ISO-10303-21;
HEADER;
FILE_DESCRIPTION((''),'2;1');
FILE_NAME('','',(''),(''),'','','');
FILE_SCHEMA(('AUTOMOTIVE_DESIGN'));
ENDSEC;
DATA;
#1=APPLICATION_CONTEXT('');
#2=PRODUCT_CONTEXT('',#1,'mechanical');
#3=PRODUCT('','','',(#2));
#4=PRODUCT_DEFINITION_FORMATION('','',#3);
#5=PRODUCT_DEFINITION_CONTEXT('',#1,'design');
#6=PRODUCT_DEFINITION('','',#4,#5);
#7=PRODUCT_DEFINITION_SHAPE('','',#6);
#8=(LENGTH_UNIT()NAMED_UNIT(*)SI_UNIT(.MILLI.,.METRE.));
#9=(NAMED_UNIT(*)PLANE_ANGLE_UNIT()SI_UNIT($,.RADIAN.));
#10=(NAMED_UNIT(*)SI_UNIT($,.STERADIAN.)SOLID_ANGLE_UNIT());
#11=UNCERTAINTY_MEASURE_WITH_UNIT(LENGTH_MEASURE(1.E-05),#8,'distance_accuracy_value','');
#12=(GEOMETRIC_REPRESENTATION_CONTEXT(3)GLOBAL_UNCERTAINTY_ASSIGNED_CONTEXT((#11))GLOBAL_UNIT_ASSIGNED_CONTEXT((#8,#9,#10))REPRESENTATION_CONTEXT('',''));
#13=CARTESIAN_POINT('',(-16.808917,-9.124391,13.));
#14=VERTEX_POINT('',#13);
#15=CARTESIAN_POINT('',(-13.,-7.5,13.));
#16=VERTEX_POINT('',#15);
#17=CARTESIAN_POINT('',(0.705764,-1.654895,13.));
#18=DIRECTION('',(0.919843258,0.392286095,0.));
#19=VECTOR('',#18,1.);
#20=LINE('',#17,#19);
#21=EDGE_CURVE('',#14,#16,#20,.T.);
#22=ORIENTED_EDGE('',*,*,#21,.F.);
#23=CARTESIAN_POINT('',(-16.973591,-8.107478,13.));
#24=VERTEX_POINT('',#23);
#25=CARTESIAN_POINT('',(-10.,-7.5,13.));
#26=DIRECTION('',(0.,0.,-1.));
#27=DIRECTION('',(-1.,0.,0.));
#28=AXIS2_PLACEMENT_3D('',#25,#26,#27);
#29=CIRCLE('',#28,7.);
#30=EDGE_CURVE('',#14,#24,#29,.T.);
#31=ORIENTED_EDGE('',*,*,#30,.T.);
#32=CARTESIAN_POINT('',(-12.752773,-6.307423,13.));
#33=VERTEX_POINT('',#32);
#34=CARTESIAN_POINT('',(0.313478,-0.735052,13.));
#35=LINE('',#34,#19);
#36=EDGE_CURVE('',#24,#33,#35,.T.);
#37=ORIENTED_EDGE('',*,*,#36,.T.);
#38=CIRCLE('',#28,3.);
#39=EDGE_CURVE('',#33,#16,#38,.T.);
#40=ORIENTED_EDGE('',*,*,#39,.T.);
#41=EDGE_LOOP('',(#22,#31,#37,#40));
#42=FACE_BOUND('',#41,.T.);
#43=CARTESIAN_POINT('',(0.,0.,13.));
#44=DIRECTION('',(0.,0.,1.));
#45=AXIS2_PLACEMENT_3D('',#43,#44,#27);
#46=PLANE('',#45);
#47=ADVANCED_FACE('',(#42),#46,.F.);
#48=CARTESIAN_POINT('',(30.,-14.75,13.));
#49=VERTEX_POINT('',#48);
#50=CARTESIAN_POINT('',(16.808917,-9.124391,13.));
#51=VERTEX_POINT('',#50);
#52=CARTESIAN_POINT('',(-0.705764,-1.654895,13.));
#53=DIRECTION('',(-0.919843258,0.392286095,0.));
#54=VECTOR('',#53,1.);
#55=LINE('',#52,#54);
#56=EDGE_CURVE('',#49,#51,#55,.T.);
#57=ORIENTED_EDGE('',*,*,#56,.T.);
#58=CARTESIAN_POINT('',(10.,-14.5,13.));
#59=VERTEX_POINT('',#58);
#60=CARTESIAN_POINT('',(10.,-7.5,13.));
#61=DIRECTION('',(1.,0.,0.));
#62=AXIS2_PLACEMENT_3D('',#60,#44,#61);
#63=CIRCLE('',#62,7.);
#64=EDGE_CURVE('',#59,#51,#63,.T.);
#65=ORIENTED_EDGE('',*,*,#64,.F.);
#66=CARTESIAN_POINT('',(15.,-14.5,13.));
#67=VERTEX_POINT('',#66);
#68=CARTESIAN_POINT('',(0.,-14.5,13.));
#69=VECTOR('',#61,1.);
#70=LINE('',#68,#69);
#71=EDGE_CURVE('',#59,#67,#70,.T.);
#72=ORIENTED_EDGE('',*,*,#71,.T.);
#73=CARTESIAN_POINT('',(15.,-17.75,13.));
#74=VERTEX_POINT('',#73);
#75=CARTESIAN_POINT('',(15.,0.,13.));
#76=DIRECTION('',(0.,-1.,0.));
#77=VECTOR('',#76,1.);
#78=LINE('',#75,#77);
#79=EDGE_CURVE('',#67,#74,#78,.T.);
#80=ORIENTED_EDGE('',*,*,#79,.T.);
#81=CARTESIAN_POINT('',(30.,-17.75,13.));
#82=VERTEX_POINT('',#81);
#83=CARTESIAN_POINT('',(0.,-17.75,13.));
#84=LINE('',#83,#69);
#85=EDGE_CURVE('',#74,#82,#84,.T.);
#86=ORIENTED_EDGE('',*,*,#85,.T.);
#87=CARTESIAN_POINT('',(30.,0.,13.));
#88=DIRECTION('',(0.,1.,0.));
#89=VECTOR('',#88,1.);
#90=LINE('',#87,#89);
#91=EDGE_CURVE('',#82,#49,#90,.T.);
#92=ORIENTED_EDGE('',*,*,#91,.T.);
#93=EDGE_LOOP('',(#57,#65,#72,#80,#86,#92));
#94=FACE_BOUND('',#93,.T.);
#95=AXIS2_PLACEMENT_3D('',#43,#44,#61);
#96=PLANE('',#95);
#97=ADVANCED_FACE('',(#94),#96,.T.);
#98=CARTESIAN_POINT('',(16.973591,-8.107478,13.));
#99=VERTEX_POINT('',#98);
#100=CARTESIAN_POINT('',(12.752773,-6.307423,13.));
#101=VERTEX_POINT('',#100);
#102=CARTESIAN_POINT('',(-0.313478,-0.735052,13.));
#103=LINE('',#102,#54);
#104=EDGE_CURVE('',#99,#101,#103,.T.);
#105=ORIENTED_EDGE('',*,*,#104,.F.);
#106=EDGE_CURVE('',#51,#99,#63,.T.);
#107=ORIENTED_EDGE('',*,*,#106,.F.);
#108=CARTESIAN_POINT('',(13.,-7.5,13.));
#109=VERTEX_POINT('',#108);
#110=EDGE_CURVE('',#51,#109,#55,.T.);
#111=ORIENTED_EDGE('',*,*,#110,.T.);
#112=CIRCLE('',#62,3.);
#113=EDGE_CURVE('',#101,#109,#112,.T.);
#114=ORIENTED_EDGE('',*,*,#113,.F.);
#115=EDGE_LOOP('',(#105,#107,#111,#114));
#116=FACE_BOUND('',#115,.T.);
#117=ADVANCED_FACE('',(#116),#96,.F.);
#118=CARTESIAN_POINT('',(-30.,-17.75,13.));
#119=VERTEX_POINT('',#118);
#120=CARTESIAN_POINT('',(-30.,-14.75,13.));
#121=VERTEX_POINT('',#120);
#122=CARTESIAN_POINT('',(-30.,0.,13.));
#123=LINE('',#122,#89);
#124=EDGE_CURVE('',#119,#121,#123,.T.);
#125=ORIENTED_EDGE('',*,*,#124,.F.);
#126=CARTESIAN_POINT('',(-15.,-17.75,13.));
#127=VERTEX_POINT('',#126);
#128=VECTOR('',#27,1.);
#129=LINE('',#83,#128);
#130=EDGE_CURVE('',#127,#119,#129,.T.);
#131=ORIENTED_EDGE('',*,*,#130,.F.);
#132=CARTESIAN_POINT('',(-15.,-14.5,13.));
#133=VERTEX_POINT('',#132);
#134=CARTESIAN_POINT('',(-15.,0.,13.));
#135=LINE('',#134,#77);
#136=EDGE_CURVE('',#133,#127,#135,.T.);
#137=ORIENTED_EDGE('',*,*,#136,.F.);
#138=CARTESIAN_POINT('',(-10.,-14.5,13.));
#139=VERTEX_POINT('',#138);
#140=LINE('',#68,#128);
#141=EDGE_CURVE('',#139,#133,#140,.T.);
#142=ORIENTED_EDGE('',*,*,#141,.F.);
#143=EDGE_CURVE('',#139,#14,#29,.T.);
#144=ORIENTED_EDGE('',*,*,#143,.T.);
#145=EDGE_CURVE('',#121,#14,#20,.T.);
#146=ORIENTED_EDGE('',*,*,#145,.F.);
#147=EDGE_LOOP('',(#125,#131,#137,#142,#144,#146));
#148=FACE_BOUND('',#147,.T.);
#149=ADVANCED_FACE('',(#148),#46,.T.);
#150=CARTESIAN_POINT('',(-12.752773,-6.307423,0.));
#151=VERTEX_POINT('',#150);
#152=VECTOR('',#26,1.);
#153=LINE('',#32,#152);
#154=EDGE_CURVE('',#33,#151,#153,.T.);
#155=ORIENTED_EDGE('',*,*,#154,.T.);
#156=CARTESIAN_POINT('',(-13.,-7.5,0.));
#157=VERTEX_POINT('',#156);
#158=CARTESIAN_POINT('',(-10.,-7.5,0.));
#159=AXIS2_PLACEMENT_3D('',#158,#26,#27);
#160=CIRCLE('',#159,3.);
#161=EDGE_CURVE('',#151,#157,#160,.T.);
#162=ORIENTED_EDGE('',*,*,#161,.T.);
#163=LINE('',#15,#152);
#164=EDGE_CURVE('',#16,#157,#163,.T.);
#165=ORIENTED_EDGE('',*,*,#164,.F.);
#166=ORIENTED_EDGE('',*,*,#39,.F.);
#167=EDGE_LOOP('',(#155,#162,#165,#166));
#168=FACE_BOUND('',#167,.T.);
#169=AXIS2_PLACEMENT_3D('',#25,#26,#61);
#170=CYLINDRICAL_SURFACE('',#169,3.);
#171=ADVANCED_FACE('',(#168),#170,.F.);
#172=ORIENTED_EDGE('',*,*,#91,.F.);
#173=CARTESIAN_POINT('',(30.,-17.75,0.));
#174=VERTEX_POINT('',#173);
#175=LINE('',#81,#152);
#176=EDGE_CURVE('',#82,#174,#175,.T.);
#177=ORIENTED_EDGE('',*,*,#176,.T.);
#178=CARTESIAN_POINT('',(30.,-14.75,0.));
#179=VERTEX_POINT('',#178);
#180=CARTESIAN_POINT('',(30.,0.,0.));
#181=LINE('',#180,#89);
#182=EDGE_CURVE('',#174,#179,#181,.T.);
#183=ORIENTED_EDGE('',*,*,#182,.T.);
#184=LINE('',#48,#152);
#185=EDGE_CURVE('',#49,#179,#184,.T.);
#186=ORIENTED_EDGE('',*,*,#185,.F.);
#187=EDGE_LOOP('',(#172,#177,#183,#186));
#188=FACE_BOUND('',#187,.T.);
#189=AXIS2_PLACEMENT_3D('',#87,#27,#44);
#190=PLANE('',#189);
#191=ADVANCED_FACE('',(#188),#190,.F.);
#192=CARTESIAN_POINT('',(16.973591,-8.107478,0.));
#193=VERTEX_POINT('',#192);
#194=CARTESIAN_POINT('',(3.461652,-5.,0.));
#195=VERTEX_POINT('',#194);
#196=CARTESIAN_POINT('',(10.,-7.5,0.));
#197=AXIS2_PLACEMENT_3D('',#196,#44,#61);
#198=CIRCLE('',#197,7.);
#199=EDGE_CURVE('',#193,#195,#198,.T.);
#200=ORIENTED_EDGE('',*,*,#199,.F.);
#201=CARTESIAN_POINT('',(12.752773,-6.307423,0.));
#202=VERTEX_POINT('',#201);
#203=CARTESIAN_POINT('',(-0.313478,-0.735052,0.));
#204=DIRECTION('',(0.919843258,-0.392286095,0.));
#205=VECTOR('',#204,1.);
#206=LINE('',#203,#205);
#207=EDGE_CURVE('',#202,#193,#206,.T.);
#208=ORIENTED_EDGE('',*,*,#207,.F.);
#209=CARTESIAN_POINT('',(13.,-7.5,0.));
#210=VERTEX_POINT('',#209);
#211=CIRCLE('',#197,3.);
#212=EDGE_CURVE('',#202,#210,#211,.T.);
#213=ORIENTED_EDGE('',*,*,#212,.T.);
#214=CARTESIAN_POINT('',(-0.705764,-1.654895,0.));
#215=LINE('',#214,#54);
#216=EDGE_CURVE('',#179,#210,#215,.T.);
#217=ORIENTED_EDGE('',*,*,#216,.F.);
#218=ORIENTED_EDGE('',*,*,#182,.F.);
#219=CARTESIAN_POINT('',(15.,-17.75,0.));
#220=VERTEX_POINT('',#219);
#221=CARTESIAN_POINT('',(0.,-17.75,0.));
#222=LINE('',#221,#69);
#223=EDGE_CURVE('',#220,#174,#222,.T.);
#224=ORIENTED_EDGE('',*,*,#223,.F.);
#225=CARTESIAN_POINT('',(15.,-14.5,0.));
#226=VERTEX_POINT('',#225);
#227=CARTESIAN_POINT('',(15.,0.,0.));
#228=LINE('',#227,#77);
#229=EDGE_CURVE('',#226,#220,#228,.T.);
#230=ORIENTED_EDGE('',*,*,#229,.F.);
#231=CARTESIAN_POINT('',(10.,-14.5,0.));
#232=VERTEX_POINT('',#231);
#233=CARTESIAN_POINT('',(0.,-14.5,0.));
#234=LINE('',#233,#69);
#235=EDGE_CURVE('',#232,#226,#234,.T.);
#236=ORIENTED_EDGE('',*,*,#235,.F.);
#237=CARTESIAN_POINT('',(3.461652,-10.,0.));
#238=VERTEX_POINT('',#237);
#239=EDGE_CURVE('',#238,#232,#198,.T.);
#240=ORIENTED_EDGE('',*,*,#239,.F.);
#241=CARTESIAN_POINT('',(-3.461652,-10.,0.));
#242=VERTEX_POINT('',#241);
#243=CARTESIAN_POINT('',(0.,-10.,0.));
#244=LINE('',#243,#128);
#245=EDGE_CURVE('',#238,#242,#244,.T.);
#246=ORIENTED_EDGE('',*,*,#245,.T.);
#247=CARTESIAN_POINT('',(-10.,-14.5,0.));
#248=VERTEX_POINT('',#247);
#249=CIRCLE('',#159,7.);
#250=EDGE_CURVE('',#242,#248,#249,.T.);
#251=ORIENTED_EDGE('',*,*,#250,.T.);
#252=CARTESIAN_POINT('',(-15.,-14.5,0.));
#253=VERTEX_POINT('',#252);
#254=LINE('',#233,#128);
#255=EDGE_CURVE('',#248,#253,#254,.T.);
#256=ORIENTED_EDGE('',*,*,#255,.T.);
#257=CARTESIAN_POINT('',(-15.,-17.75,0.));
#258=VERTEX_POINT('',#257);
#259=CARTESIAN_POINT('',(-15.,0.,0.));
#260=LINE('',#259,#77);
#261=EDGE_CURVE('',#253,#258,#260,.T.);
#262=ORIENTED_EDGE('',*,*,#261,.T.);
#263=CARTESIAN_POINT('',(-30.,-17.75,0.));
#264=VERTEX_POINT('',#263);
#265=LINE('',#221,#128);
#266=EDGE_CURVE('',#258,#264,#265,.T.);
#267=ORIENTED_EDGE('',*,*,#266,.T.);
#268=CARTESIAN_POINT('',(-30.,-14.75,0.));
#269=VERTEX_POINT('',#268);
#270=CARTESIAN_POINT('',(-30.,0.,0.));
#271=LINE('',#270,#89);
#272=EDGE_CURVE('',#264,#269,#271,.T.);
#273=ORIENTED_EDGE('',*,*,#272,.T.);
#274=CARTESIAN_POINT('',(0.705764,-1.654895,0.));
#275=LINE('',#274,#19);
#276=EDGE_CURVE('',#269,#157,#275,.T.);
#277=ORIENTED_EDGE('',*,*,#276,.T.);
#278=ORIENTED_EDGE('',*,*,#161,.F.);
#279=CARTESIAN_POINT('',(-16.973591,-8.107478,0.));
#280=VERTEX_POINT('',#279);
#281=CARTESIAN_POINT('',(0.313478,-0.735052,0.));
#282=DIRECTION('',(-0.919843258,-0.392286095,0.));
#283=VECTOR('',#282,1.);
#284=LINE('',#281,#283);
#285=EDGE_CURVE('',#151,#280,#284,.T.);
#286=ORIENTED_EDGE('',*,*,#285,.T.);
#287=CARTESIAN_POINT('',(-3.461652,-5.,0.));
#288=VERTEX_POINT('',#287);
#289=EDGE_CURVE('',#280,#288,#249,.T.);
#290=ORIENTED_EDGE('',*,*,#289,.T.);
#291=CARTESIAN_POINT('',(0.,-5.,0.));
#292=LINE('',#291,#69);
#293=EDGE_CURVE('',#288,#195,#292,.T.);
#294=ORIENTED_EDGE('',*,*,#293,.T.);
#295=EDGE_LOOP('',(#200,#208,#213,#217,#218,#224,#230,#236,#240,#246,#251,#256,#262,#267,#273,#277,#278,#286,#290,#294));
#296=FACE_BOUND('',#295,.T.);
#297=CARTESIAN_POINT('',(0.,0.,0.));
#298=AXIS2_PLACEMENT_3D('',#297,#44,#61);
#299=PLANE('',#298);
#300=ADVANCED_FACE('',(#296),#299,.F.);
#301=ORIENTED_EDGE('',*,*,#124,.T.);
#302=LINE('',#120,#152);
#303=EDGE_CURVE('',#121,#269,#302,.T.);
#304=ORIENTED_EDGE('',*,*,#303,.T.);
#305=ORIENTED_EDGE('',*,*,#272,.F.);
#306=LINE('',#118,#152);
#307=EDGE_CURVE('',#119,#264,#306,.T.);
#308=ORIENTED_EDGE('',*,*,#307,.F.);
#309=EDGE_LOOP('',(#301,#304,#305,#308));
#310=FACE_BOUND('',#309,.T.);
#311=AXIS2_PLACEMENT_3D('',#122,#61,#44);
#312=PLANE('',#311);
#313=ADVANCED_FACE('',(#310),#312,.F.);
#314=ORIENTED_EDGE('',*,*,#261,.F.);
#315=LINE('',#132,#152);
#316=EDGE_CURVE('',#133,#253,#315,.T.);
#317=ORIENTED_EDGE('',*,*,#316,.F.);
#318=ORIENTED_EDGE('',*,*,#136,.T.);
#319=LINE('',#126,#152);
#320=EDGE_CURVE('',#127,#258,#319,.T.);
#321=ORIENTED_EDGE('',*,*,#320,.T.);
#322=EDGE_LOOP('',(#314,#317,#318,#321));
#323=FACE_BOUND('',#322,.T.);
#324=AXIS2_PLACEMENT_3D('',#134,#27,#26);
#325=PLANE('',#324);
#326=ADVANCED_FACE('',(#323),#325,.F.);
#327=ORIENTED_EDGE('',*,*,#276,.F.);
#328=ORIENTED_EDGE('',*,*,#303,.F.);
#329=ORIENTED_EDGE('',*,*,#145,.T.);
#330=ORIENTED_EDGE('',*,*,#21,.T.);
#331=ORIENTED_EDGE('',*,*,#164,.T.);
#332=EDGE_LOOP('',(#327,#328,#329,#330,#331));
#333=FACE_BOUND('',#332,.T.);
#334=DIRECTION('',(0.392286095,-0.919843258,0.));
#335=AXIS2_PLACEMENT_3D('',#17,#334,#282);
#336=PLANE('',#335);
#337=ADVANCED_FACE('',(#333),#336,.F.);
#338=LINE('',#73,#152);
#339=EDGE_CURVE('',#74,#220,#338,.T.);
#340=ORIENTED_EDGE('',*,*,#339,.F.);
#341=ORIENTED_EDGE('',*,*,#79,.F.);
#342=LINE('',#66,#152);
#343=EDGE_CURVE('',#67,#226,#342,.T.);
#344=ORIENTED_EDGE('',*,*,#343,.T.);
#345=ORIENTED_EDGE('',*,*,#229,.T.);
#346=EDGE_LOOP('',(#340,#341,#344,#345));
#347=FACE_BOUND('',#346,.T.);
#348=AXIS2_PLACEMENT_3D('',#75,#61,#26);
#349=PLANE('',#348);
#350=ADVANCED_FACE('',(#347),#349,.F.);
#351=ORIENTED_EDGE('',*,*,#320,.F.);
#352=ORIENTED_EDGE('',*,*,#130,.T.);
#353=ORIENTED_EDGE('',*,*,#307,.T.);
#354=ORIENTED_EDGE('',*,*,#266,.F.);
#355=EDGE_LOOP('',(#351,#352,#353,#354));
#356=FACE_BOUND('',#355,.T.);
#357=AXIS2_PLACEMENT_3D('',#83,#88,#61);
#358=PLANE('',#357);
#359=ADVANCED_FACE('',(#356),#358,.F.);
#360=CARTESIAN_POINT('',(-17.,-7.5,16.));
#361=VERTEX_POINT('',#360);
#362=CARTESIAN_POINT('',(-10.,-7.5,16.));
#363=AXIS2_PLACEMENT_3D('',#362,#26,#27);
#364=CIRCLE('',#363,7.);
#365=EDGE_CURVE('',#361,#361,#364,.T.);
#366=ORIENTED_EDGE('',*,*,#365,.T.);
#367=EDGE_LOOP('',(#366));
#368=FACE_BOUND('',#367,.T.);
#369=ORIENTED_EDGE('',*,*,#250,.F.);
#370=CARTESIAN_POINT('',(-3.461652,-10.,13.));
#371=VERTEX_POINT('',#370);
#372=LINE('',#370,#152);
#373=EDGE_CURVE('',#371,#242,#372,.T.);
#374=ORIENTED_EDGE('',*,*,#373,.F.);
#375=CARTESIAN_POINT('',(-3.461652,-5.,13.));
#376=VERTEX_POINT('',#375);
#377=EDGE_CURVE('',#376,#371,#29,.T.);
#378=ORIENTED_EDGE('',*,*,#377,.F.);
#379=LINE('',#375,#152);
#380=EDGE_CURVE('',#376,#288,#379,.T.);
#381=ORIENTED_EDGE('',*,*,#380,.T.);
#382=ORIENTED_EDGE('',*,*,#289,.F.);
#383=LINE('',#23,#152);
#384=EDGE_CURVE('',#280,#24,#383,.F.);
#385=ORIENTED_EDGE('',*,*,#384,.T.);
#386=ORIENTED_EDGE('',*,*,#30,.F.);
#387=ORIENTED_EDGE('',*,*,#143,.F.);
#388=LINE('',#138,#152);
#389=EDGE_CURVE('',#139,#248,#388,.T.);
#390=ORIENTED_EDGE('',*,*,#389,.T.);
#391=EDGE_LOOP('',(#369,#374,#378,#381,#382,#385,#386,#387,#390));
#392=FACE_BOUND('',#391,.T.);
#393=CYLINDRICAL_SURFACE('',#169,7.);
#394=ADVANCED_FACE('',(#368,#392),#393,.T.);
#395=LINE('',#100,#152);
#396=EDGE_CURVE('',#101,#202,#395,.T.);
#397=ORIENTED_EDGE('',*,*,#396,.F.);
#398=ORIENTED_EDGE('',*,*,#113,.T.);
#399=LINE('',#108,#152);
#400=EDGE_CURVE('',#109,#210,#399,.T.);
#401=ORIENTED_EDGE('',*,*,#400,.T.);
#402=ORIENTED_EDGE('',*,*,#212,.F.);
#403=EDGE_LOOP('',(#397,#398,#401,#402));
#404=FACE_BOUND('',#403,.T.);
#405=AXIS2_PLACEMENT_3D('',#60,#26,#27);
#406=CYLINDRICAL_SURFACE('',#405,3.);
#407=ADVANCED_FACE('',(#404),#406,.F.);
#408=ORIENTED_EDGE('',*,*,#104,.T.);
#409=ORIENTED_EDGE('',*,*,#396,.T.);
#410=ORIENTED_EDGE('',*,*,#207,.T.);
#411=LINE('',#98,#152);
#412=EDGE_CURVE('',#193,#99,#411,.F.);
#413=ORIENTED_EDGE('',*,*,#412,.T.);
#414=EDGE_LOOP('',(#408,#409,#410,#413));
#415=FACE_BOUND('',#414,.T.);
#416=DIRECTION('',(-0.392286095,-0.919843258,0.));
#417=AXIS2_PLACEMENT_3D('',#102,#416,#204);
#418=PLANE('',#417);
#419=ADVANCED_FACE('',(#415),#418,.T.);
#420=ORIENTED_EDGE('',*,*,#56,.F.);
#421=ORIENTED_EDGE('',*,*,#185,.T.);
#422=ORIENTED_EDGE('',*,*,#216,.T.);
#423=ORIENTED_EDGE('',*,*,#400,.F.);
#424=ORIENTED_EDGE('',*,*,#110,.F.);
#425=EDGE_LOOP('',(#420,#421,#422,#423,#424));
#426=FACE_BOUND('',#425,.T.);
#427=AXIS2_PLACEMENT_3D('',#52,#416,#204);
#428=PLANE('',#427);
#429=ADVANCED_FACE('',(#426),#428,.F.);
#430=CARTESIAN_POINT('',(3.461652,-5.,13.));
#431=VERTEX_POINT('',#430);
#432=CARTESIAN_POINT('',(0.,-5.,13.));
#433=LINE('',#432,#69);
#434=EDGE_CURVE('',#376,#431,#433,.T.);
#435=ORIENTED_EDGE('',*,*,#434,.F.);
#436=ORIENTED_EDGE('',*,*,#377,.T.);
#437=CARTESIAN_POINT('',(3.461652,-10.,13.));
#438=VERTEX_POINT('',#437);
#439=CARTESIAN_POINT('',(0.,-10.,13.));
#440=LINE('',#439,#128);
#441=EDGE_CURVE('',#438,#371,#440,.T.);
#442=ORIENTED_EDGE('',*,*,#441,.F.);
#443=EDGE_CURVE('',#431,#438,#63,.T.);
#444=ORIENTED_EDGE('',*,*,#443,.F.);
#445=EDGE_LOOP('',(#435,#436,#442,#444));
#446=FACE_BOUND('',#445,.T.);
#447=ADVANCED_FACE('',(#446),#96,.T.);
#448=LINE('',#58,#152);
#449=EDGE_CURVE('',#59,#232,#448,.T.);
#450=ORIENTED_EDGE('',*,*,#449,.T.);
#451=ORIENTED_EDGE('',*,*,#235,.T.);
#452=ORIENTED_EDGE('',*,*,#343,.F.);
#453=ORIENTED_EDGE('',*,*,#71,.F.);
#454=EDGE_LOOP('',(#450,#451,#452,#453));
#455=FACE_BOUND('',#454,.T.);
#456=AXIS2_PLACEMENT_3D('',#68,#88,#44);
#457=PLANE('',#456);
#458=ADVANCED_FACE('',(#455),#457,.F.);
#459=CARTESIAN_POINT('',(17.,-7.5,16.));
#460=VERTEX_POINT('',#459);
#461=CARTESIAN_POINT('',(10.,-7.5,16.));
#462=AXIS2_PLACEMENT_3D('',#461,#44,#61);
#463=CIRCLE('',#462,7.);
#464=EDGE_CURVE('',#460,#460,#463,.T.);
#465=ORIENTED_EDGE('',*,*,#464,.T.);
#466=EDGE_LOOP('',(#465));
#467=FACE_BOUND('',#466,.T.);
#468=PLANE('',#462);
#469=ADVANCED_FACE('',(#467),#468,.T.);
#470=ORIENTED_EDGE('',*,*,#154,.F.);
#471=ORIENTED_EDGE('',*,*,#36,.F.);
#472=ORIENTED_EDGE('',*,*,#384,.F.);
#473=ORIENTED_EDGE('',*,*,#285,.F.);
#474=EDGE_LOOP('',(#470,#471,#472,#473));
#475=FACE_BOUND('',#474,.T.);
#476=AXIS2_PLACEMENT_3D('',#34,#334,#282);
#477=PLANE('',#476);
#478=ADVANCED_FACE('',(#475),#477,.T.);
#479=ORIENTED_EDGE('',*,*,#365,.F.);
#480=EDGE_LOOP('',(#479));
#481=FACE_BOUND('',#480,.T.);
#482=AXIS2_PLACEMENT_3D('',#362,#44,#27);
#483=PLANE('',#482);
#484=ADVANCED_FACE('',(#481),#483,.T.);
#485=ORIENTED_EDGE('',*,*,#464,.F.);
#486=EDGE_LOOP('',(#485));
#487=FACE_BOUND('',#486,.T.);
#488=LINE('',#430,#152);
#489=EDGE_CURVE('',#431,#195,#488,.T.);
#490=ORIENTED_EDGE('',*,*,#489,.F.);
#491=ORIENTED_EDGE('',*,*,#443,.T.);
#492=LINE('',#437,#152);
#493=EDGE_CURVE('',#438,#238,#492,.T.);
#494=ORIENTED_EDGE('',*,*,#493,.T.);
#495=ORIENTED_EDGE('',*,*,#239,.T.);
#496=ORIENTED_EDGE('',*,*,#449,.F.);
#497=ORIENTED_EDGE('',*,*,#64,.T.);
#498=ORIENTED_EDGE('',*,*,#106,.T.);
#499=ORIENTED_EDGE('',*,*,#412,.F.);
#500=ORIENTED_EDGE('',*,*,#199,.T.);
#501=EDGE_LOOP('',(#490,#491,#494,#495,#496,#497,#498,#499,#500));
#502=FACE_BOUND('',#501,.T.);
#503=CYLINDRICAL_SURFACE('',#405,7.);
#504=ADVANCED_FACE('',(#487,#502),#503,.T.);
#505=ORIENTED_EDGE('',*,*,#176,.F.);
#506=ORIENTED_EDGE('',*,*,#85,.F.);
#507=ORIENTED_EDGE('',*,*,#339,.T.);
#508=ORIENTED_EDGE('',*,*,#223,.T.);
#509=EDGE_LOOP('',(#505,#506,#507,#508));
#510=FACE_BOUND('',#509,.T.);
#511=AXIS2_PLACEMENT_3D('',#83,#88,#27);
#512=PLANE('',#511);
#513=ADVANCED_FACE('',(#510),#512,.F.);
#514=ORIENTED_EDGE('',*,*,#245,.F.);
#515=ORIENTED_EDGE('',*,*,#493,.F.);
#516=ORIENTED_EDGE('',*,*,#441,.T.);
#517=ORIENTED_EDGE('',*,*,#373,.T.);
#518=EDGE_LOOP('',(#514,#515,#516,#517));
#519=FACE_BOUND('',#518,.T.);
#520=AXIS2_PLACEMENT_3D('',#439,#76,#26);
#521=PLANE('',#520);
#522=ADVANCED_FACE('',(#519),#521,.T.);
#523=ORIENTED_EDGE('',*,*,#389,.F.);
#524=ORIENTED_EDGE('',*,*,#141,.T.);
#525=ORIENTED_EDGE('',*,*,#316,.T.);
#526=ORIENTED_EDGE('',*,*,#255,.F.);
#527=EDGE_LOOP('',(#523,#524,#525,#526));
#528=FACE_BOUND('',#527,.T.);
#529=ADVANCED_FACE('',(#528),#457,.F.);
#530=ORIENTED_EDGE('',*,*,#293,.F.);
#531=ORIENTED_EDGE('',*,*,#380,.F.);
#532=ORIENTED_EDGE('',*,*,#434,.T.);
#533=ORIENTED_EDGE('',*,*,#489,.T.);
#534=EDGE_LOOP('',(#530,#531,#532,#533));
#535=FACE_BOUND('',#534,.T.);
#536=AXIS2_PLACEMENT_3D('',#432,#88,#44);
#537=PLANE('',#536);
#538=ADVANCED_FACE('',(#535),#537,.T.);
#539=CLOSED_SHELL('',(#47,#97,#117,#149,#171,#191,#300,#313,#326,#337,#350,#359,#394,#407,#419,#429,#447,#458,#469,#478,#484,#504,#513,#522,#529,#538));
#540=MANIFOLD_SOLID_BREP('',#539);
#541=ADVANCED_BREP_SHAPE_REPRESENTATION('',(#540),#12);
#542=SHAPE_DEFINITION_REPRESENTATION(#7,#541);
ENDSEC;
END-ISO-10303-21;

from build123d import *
from build123d.topology import SkipClean

# Parameters (mm, degrees)
SKETCH1_R           = 7
BOSS_EXTRUDE1_DEPTH = 13
SKETCH2_R           = 7
BOSS_EXTRUDE2_DEPTH = 3
SKETCH3_R           = 3
CUT_EXTRUDE1_DEPTH  = 13


with BuildPart() as part:
    # Sketch1 → Boss-Extrude1 (new body)
    with BuildSketch(Plane.XY):
        with BuildLine():
            ThreePointArc((16.808917195, -9.124391157), (14.337583538, -12.994121317), (10, -14.5))
            Line((10, -14.5), (15, -14.5))
            Line((15, -14.5), (15, -17.75))
            Line((15, -17.75), (30, -17.75))
            Line((30, -17.75), (30, -14.75))
            Line((30, -14.75), (16.808917195, -9.124391157))
        make_face()
        with Locations((10, -7.5)):
            Circle(SKETCH1_R)
        with BuildLine():
            Line((0, -10), (3.461651585, -10))
            ThreePointArc((3.461651585, -10), (3, -7.5), (3.461651585, -5))
            Line((3.461651585, -5), (0, -5))
            Line((0, -5), (0, -10))
        make_face()
    extrude(amount=BOSS_EXTRUDE1_DEPTH)

    # Sketch2 → Boss-Extrude2 (add)
    with BuildSketch(Plane.XY.offset(13)):
        with Locations(Location((10, -7.5, 0), (0, 0, 200.924832428))):
            Circle(SKETCH2_R)
    extrude(amount=BOSS_EXTRUDE2_DEPTH)

    # Sketch3 → Cut-Extrude1 (cut)
    with BuildSketch(Plane.XY):
        with Locations((10, -7.5)):
            Circle(SKETCH3_R)
        with BuildLine():
            Line((16.808917195, -9.124391157), (17.20120329, -8.204547899))
            Line((17.20120329, -8.204547899), (12.752773317, -6.307423351))
            ThreePointArc((12.752773317, -6.307423351), (12.937543187, -6.891033643), (13, -7.5))
            Line((13, -7.5), (16.808917195, -9.124391157))
        make_face()
    extrude(amount=CUT_EXTRUDE1_DEPTH, mode=Mode.SUBTRACT)

    # Mirror1: part across plane


with BuildPart() as part_1:
    with SkipClean():  # the faces are left unmerged after this step: merging them gives an invalid solid
        add(part.part)
        add(part.part.mirror(Plane(origin=(0, 0, 0), x_dir=(0, 0, 1), z_dir=(1, 0, 0))))


solid = part_1.part
